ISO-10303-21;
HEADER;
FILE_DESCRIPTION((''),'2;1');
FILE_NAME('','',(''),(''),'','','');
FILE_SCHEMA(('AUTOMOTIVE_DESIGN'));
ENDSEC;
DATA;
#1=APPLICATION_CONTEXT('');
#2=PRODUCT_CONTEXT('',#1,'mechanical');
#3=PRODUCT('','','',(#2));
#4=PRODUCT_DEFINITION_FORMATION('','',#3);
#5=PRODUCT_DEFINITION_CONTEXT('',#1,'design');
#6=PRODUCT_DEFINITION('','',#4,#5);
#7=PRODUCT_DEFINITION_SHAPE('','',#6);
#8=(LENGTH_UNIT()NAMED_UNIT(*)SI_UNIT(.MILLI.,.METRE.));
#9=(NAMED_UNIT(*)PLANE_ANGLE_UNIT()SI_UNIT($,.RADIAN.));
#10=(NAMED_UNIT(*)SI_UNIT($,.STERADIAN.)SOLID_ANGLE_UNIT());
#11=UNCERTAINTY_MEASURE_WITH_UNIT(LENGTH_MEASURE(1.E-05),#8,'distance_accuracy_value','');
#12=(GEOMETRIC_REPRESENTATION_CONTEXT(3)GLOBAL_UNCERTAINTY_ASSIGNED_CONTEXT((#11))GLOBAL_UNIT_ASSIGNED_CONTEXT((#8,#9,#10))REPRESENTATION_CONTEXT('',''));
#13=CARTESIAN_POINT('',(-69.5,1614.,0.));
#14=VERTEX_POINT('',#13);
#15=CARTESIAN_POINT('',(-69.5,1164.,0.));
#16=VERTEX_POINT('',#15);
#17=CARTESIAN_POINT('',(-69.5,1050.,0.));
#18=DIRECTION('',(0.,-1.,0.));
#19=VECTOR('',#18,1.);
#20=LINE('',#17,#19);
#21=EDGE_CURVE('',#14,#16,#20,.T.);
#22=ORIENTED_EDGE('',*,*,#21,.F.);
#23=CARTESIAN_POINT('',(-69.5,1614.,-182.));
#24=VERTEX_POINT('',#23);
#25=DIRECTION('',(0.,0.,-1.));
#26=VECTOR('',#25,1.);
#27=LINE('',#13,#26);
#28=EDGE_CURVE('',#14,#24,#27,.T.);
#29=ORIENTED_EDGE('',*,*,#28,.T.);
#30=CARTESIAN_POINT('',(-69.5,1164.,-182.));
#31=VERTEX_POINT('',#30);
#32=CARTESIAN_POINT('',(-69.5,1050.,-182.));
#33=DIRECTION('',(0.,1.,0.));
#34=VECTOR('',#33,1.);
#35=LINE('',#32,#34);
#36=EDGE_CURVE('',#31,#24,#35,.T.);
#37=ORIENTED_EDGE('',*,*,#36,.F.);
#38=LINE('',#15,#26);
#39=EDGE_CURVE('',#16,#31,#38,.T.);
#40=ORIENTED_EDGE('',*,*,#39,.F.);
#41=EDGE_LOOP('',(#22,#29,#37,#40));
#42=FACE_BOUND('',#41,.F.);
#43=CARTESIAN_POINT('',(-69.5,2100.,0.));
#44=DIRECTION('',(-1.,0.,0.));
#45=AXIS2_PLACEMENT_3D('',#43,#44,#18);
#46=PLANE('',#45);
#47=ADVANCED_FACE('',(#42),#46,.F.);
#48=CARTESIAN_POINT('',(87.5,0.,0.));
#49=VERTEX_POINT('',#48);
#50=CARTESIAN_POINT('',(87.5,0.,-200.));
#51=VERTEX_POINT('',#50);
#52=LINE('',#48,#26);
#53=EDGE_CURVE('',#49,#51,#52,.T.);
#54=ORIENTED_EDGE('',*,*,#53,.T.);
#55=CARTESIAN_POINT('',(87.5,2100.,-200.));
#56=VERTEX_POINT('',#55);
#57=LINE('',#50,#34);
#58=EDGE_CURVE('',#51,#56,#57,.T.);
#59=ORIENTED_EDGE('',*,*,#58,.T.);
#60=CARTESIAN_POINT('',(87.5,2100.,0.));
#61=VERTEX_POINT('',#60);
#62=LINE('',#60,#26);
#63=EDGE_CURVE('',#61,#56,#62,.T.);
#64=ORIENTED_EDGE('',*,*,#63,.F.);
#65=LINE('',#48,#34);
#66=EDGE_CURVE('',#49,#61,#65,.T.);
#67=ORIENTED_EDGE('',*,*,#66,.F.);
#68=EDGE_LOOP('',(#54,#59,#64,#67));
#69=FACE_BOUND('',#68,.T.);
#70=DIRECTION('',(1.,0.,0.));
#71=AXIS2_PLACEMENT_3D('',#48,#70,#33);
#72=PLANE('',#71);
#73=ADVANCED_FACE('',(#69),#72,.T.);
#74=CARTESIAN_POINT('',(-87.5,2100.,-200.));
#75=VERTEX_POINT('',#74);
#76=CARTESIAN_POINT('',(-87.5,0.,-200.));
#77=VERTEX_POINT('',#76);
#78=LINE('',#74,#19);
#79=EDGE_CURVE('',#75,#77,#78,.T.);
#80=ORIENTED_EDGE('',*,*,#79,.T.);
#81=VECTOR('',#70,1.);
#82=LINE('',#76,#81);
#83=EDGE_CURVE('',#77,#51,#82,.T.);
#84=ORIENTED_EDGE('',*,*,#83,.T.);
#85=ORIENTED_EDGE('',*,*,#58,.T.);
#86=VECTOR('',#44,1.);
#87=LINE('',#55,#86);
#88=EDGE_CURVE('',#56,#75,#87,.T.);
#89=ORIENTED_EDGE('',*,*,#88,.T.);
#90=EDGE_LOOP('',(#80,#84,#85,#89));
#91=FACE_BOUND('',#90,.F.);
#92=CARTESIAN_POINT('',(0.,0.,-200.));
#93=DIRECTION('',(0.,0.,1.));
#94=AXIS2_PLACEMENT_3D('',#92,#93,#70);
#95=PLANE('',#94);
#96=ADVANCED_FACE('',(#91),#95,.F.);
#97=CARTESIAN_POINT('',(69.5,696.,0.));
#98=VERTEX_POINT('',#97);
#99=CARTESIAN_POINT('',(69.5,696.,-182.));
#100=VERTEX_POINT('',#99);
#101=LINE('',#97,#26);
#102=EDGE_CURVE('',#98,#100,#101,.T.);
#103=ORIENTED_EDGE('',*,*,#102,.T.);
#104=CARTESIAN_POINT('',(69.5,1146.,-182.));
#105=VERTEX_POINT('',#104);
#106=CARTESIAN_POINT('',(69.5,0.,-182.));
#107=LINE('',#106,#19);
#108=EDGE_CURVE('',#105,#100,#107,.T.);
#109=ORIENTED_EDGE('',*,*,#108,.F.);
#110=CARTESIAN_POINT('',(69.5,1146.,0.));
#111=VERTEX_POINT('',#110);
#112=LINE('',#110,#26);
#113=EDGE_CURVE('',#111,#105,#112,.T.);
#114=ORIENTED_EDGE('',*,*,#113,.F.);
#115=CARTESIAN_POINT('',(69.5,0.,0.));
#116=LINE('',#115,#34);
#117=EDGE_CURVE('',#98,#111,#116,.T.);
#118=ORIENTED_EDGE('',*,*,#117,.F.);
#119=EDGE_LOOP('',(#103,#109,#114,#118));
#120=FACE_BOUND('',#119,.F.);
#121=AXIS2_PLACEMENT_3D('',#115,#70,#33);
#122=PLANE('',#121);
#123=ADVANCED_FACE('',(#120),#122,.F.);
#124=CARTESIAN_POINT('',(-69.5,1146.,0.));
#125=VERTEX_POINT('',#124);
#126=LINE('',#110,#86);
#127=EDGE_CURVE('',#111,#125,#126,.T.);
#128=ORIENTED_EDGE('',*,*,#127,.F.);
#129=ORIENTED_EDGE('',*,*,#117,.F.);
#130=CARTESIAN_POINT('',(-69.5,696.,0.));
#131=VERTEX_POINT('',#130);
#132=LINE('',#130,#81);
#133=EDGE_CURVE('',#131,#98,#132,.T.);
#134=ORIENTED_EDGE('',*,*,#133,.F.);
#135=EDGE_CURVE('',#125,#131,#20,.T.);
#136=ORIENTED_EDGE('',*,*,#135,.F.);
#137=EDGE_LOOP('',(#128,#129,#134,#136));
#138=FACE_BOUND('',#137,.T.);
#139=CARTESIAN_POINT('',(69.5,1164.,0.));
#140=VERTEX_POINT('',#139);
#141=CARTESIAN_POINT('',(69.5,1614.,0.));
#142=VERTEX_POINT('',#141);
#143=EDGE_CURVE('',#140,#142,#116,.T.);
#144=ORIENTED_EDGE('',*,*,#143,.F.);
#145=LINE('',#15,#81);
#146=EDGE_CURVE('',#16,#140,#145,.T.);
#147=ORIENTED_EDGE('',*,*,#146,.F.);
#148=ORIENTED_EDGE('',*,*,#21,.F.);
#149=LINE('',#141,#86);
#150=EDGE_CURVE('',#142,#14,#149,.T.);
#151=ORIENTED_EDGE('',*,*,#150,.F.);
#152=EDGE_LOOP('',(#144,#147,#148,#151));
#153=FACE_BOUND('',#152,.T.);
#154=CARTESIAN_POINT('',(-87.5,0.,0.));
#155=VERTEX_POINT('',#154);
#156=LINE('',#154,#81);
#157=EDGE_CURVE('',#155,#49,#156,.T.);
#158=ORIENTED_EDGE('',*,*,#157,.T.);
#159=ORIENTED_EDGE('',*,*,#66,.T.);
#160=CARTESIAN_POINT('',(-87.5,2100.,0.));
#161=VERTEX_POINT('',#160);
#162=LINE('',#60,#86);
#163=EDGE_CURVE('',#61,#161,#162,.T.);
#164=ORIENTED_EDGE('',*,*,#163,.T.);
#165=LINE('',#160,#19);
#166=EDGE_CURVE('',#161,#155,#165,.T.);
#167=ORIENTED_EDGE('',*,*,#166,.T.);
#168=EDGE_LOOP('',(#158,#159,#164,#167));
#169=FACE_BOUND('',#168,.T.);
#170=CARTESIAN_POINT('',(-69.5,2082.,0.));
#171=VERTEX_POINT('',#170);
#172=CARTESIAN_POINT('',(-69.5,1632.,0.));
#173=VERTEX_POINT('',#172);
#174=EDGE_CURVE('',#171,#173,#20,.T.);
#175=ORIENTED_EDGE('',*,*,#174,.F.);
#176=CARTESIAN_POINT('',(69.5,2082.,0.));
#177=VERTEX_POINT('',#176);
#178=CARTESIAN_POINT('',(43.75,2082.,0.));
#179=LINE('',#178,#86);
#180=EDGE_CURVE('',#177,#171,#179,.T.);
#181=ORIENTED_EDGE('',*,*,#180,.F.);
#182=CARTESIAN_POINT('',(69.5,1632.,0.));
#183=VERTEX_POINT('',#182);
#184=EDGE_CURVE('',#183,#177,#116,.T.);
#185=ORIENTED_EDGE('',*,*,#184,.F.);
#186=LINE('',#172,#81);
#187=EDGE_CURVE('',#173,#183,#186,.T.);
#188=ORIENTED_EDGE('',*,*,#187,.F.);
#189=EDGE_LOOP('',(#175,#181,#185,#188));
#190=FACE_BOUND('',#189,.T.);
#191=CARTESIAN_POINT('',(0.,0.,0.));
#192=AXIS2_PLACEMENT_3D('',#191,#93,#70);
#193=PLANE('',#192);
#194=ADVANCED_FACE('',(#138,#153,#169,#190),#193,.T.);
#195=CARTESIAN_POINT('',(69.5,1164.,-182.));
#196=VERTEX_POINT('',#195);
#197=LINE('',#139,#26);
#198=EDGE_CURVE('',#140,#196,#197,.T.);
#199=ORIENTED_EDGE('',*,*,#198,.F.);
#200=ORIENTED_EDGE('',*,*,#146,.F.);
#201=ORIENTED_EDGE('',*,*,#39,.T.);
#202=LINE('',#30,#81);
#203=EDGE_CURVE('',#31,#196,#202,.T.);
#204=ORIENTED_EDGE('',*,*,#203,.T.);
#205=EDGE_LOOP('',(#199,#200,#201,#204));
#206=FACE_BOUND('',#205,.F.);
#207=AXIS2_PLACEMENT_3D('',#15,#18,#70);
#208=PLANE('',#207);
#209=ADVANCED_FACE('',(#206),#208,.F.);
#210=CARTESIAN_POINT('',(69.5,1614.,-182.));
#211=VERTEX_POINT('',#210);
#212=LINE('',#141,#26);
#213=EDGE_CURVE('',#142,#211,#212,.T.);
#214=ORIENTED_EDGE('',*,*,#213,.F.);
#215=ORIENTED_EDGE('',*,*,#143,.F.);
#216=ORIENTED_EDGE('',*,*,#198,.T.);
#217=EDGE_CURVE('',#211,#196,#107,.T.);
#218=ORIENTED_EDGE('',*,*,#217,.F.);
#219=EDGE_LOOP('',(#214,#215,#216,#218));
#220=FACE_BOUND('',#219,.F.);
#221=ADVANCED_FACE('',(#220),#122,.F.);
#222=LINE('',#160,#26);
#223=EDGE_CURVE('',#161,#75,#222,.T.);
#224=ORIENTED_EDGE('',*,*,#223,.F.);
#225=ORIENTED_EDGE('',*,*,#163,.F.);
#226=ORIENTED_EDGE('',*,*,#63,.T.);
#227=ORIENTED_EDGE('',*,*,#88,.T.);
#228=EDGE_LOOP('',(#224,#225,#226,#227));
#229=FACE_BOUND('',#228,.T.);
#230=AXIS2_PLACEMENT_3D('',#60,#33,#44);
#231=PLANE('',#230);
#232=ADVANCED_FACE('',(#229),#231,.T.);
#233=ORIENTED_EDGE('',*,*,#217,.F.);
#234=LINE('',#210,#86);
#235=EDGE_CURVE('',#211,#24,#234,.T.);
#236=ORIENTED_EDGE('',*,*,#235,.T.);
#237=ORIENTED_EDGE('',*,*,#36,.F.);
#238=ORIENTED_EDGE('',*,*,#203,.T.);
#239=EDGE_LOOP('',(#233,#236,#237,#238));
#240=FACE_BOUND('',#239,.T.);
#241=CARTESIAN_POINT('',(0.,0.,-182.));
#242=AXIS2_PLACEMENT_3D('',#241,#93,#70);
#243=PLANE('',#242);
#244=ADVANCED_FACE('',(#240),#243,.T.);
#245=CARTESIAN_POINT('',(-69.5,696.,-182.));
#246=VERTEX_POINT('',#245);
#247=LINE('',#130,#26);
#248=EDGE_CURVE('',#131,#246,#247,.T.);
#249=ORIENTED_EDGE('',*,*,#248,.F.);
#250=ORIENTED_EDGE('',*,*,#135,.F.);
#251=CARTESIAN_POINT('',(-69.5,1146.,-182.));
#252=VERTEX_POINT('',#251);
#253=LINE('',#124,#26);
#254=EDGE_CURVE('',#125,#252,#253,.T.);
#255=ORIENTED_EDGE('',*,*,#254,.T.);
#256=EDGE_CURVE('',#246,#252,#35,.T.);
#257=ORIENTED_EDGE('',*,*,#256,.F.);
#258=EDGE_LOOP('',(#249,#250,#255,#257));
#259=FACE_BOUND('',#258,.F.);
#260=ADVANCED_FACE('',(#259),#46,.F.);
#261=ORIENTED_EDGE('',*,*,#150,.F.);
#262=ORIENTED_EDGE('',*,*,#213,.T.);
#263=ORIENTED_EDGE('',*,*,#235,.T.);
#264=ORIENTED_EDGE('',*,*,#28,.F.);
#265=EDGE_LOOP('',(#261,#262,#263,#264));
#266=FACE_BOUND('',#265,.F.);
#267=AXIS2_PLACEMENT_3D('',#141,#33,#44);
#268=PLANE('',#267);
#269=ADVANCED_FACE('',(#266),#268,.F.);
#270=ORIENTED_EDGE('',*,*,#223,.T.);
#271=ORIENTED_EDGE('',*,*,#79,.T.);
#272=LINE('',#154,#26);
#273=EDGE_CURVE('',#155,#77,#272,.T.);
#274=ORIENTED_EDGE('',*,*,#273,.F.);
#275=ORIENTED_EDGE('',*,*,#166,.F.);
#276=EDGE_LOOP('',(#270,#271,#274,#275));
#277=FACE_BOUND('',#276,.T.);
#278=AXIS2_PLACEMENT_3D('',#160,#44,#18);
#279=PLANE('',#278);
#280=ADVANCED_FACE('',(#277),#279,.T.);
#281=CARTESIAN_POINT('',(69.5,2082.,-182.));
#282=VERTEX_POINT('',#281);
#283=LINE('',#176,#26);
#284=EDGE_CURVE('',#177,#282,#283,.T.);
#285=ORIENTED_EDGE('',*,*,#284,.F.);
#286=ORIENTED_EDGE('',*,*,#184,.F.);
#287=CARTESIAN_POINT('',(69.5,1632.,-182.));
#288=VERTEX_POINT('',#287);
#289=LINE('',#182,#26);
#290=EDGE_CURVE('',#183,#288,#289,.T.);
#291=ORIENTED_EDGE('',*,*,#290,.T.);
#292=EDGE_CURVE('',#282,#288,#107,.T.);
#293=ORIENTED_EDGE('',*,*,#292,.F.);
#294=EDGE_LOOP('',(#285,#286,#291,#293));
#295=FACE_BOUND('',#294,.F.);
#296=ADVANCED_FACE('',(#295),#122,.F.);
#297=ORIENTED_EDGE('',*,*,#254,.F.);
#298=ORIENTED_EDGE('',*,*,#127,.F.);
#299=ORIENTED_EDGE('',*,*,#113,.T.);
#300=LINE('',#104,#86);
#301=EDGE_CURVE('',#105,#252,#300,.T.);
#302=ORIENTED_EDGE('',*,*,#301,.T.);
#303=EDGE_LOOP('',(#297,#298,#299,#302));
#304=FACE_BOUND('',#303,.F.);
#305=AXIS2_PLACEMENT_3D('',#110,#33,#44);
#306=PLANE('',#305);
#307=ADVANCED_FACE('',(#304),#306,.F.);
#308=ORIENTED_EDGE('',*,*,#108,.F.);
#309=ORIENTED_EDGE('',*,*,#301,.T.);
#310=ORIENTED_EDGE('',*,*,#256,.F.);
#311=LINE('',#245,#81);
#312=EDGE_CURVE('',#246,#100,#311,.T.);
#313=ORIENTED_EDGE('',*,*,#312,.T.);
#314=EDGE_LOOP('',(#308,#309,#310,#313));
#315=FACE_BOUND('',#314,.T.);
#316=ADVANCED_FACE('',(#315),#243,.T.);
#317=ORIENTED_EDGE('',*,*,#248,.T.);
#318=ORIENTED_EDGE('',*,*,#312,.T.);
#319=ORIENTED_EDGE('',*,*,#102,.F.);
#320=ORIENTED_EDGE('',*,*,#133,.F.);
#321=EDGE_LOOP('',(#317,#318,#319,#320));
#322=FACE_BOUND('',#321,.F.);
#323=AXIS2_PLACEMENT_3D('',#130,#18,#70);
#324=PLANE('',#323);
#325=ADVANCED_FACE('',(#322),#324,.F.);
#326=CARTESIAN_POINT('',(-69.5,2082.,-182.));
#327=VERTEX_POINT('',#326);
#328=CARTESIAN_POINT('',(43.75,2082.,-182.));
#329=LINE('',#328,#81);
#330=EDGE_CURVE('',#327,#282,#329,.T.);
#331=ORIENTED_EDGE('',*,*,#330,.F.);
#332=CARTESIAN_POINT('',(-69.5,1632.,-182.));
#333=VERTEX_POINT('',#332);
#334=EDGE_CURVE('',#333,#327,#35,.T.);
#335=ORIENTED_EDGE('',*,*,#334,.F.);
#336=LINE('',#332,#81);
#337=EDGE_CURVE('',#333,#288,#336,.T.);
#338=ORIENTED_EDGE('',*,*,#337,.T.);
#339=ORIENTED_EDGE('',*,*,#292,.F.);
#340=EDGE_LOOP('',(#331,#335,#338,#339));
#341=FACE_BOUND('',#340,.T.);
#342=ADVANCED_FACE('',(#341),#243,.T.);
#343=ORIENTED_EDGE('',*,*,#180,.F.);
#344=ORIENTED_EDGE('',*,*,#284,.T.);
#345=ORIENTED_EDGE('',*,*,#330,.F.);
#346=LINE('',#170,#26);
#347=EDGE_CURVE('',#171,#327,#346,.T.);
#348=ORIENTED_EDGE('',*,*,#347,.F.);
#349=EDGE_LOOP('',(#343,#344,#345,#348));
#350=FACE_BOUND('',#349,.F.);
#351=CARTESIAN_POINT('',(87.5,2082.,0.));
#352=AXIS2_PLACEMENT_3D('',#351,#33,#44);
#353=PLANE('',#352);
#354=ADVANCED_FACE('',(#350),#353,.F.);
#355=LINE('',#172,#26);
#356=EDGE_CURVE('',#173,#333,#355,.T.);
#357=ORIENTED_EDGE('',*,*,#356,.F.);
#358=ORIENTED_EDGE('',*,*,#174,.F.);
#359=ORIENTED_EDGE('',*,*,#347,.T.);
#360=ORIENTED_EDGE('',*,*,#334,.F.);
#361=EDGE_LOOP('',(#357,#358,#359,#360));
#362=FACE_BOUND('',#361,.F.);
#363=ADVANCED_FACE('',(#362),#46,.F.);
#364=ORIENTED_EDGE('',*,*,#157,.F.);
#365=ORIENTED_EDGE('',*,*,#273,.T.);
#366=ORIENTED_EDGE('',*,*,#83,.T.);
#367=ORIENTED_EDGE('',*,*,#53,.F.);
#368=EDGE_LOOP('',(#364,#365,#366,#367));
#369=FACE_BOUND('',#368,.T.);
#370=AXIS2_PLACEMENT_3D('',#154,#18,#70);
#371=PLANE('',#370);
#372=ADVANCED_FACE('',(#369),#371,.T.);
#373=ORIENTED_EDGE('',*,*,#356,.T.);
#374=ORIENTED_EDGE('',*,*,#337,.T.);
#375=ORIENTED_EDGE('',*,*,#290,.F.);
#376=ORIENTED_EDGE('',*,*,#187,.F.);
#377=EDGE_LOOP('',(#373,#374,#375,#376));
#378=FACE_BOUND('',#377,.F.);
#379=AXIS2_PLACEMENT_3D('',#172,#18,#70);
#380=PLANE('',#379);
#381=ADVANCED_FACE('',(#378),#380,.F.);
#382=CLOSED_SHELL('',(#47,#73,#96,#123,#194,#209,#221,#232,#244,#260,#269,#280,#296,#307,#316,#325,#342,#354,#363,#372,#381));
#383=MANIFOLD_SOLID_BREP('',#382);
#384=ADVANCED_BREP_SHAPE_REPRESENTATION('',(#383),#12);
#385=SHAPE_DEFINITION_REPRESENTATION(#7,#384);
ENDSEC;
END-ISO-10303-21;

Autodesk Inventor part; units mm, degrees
ref_plane "YZ Plane" through (0, 0, 0) normal (1, 0, 0) x (0, 1, 0)
ref_plane "XZ Plane" through (0, 0, 0) normal (0, 1, 0) x (-1, 0, 0)
ref_plane "XY Plane" through (0, 0, 0) normal (0, 0, 1) x (1, 0, 0)
sketch "Schizzo1" plane through (0, 0, 0) normal (0, 0, 1) x (1, 0, 0)
  line L0 (-87.5, 0) -> (87.5, 0)
  line L1 (87.5, 0) -> (87.5, 2100)
  line L2 (87.5, 2100) -> (-87.5, 2100)
  line L3 (-87.5, 2100) -> (-87.5, 0)
  point P0 (0, 0)
  point P1 (0, 0)
  dimension "d0" = 175
  dimension "d1" = 2100
extrude "Estrusione1" add sketch "Schizzo1" against normal blind 200
shell "Svuotamento1" thickness 18 removed faces 1 at (-29.1667, 1400, 0)
sketch "Schizzo2" plane through (0, 0, 0) normal (0, 0, 1) x (1, 0, 0)
  line L0 (-69.5, 18) -> (-69.5, 2082) projected
  line L1 (69.5, 2082) -> (69.5, 18) projected
  line L2 (-69.5, 1632) -> (69.5, 1632)
  line L3 (69.5, 1632) -> (69.5, 1614)
  line L4 (69.5, 1614) -> (-69.5, 1614)
  line L5 (-69.5, 1614) -> (-69.5, 1632)
  line L6 (-69.5, 1164) -> (69.5, 1164)
  line L7 (69.5, 1164) -> (69.5, 1146)
  line L8 (69.5, 1146) -> (-69.5, 1146)
  line L9 (-69.5, 1146) -> (-69.5, 1164)
  line L10 (-69.5, 18) -> (-69.5, 2082) projected
  line L11 (69.5, 2082) -> (69.5, 18) projected
  line L12 (-69.5, 696) -> (69.5, 696)
  line L13 (69.5, 696) -> (69.5, 18)
  line L14 (69.5, 18) -> (-69.5, 18)
  line L15 (-69.5, 18) -> (-69.5, 696)
  point P0 (0, 0)
  point P1 (69.5, 1614)
  point P2 (69.5, 1632)
  point P3 (-69.5, 1632)
  point P4 (69.5, 1146)
  point P5 (69.5, 1164)
  point P6 (-69.5, 1164)
  point P7 (69.5, 18)
  dimension "d6" = 18
  dimension "d7" = 450
  dimension "d8" = 450
  dimension "d12" = 450
  dimension "d13" = 678
extrude "Estrusione2" add sketch "Schizzo2" against normal up to surface (182 mm away) contours L0 L12 L1 L14 | L0 L6 L1 L8 | L0 L2 L1 L4
equation "\"d8\" = d7"
equation "\"d12\" = d7"
properties part number "Mobiletto verticale"
